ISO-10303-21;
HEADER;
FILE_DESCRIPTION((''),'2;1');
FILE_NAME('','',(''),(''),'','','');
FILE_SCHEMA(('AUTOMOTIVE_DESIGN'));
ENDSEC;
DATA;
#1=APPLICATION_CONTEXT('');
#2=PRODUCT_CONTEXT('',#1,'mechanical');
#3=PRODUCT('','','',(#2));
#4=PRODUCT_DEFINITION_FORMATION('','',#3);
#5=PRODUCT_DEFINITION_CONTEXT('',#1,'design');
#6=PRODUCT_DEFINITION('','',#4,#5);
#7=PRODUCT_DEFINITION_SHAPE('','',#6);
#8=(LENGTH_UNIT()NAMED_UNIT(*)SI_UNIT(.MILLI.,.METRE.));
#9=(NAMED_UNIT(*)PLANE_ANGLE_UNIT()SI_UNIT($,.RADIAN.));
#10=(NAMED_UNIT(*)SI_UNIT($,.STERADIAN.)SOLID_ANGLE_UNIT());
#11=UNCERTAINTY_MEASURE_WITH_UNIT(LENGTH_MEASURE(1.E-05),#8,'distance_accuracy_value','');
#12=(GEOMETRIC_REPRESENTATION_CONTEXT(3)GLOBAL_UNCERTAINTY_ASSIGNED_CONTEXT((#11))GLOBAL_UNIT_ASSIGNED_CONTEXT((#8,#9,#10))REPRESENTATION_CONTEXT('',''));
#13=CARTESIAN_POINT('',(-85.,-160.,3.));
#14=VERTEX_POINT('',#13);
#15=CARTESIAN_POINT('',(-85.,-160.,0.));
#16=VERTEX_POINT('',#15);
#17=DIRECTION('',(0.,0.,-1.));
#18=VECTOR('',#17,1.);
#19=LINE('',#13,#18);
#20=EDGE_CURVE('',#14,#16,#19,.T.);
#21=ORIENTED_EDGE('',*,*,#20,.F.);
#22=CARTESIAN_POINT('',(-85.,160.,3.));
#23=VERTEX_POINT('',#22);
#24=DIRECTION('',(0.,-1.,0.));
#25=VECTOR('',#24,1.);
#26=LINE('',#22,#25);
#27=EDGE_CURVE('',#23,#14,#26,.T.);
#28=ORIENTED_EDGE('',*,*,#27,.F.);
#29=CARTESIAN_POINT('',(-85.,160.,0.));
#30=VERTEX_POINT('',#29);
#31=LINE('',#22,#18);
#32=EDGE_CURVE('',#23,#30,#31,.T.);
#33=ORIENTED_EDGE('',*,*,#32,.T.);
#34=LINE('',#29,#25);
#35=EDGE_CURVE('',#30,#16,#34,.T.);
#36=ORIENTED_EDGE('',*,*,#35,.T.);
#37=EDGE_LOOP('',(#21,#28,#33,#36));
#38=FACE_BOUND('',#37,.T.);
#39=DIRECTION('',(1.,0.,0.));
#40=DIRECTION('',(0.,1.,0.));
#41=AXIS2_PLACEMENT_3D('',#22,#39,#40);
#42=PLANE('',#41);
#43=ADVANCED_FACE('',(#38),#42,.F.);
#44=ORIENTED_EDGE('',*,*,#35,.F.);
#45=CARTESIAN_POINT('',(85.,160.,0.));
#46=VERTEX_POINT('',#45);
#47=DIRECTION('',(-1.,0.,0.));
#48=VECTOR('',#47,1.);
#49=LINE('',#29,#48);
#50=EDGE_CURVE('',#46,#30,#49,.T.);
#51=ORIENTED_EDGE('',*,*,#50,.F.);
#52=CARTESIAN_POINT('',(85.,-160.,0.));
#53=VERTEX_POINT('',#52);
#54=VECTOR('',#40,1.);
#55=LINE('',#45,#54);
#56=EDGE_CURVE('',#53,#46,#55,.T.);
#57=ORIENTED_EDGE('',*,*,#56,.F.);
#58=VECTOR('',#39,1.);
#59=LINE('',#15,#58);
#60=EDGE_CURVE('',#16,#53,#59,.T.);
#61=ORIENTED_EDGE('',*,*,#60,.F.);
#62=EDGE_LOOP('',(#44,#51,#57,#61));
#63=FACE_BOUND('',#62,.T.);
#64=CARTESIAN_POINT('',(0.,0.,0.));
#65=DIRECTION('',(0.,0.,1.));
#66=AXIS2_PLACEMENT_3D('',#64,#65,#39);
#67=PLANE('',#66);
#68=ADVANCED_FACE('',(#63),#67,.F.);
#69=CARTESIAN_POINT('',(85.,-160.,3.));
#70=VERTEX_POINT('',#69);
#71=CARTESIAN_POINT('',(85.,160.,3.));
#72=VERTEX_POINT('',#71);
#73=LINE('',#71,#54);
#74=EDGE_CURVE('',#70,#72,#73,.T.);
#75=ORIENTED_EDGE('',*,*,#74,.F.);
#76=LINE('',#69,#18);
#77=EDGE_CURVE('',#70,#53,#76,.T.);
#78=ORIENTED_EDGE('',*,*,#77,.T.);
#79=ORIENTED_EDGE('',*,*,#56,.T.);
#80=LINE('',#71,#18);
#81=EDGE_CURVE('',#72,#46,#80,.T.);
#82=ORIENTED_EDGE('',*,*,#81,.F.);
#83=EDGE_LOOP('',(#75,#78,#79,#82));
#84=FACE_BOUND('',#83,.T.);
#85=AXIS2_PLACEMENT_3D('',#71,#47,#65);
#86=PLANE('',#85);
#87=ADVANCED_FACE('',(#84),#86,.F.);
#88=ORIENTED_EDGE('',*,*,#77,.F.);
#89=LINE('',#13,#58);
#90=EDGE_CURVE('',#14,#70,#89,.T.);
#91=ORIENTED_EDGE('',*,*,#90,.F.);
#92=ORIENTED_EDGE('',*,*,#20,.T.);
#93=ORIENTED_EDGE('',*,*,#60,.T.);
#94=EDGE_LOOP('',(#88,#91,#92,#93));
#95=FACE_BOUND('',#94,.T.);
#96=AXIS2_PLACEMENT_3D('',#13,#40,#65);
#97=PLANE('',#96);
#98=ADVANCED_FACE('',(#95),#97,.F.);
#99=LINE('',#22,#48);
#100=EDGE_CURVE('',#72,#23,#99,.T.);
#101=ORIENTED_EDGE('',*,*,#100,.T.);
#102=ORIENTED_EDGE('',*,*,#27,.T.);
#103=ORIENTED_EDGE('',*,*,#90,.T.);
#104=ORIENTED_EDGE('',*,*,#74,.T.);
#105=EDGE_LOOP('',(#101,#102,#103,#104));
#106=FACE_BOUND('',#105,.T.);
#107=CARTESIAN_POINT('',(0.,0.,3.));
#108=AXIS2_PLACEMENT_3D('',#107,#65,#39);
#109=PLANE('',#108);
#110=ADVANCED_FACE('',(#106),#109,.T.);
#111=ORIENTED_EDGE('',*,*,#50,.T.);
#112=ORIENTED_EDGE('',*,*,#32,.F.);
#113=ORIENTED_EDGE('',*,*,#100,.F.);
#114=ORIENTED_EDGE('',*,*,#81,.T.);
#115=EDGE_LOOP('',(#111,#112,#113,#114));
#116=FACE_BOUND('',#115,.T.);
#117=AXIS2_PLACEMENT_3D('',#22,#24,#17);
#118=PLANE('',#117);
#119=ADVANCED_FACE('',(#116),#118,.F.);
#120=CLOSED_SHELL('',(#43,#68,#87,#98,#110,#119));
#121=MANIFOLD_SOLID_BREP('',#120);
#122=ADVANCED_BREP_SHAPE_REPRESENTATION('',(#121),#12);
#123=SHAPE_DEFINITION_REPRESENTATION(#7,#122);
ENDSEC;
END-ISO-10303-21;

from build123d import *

# Parameters (mm, degrees)
CROQUIS2_W              = 170
CROQUIS2_H              = 320
SALIENTE_EXTRUIR1_DEPTH = 3


with BuildPart() as part:
    # Croquis2 → Saliente-Extruir1 (new body)
    with BuildSketch(Plane.XY):
        Rectangle(CROQUIS2_W, CROQUIS2_H)
    extrude(amount=SALIENTE_EXTRUIR1_DEPTH)


solid = part.part
